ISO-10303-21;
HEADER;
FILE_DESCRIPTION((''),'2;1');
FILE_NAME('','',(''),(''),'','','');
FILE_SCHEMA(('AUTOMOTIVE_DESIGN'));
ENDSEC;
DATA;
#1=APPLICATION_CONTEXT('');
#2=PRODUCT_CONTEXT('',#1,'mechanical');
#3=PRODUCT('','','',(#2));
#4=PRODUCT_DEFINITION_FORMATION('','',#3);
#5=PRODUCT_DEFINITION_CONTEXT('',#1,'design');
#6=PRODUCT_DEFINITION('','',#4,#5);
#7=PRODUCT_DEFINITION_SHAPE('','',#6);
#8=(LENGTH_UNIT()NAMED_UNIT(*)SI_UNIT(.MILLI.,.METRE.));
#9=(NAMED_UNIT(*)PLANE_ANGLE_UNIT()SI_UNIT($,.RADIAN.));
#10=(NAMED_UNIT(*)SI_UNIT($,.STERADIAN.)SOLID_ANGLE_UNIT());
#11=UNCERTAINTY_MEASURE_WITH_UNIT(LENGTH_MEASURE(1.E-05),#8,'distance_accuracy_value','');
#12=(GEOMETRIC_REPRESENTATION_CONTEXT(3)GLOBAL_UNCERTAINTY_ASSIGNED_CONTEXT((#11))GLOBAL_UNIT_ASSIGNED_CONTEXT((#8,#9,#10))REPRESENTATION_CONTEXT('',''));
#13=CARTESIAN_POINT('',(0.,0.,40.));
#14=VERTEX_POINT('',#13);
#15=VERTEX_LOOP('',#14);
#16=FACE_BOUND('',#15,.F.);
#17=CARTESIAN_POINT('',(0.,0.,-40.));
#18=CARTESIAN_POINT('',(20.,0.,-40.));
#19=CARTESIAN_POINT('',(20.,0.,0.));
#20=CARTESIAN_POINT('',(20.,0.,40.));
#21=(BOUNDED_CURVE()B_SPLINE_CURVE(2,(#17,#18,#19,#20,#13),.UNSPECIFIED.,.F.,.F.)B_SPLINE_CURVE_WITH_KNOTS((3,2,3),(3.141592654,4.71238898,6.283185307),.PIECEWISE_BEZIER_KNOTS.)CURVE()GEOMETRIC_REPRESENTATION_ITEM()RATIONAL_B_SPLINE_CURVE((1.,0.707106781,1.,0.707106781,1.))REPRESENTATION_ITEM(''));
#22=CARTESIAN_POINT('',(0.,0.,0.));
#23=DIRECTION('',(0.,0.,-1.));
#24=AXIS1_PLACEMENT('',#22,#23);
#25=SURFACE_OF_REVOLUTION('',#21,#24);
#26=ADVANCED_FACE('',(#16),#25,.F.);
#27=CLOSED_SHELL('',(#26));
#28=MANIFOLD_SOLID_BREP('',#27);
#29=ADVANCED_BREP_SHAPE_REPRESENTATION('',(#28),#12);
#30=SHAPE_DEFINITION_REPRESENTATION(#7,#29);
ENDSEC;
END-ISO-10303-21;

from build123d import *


with BuildPart() as f1:
    # F0 (on Front) → F1 (revolve)
    with BuildSketch(Plane.XZ):
        with BuildLine():
            Line((0, 40), (0, -40))
            add(Edge.make_bspline(
                [(0, -40), (20, -40), (20, 0), (20, 40), (0, 40)],
                knots=[3.1415926536, 3.1415926536, 3.1415926536, 4.7123889804, 4.7123889804, 6.2831853072, 6.2831853072, 6.2831853072], degree=2, weights=[1, 0.7071067812, 1, 0.7071067812, 1]))
        make_face()
    revolve(axis=Axis((0, 0, 0), (0, 0, -1)))


solid = f1.part
